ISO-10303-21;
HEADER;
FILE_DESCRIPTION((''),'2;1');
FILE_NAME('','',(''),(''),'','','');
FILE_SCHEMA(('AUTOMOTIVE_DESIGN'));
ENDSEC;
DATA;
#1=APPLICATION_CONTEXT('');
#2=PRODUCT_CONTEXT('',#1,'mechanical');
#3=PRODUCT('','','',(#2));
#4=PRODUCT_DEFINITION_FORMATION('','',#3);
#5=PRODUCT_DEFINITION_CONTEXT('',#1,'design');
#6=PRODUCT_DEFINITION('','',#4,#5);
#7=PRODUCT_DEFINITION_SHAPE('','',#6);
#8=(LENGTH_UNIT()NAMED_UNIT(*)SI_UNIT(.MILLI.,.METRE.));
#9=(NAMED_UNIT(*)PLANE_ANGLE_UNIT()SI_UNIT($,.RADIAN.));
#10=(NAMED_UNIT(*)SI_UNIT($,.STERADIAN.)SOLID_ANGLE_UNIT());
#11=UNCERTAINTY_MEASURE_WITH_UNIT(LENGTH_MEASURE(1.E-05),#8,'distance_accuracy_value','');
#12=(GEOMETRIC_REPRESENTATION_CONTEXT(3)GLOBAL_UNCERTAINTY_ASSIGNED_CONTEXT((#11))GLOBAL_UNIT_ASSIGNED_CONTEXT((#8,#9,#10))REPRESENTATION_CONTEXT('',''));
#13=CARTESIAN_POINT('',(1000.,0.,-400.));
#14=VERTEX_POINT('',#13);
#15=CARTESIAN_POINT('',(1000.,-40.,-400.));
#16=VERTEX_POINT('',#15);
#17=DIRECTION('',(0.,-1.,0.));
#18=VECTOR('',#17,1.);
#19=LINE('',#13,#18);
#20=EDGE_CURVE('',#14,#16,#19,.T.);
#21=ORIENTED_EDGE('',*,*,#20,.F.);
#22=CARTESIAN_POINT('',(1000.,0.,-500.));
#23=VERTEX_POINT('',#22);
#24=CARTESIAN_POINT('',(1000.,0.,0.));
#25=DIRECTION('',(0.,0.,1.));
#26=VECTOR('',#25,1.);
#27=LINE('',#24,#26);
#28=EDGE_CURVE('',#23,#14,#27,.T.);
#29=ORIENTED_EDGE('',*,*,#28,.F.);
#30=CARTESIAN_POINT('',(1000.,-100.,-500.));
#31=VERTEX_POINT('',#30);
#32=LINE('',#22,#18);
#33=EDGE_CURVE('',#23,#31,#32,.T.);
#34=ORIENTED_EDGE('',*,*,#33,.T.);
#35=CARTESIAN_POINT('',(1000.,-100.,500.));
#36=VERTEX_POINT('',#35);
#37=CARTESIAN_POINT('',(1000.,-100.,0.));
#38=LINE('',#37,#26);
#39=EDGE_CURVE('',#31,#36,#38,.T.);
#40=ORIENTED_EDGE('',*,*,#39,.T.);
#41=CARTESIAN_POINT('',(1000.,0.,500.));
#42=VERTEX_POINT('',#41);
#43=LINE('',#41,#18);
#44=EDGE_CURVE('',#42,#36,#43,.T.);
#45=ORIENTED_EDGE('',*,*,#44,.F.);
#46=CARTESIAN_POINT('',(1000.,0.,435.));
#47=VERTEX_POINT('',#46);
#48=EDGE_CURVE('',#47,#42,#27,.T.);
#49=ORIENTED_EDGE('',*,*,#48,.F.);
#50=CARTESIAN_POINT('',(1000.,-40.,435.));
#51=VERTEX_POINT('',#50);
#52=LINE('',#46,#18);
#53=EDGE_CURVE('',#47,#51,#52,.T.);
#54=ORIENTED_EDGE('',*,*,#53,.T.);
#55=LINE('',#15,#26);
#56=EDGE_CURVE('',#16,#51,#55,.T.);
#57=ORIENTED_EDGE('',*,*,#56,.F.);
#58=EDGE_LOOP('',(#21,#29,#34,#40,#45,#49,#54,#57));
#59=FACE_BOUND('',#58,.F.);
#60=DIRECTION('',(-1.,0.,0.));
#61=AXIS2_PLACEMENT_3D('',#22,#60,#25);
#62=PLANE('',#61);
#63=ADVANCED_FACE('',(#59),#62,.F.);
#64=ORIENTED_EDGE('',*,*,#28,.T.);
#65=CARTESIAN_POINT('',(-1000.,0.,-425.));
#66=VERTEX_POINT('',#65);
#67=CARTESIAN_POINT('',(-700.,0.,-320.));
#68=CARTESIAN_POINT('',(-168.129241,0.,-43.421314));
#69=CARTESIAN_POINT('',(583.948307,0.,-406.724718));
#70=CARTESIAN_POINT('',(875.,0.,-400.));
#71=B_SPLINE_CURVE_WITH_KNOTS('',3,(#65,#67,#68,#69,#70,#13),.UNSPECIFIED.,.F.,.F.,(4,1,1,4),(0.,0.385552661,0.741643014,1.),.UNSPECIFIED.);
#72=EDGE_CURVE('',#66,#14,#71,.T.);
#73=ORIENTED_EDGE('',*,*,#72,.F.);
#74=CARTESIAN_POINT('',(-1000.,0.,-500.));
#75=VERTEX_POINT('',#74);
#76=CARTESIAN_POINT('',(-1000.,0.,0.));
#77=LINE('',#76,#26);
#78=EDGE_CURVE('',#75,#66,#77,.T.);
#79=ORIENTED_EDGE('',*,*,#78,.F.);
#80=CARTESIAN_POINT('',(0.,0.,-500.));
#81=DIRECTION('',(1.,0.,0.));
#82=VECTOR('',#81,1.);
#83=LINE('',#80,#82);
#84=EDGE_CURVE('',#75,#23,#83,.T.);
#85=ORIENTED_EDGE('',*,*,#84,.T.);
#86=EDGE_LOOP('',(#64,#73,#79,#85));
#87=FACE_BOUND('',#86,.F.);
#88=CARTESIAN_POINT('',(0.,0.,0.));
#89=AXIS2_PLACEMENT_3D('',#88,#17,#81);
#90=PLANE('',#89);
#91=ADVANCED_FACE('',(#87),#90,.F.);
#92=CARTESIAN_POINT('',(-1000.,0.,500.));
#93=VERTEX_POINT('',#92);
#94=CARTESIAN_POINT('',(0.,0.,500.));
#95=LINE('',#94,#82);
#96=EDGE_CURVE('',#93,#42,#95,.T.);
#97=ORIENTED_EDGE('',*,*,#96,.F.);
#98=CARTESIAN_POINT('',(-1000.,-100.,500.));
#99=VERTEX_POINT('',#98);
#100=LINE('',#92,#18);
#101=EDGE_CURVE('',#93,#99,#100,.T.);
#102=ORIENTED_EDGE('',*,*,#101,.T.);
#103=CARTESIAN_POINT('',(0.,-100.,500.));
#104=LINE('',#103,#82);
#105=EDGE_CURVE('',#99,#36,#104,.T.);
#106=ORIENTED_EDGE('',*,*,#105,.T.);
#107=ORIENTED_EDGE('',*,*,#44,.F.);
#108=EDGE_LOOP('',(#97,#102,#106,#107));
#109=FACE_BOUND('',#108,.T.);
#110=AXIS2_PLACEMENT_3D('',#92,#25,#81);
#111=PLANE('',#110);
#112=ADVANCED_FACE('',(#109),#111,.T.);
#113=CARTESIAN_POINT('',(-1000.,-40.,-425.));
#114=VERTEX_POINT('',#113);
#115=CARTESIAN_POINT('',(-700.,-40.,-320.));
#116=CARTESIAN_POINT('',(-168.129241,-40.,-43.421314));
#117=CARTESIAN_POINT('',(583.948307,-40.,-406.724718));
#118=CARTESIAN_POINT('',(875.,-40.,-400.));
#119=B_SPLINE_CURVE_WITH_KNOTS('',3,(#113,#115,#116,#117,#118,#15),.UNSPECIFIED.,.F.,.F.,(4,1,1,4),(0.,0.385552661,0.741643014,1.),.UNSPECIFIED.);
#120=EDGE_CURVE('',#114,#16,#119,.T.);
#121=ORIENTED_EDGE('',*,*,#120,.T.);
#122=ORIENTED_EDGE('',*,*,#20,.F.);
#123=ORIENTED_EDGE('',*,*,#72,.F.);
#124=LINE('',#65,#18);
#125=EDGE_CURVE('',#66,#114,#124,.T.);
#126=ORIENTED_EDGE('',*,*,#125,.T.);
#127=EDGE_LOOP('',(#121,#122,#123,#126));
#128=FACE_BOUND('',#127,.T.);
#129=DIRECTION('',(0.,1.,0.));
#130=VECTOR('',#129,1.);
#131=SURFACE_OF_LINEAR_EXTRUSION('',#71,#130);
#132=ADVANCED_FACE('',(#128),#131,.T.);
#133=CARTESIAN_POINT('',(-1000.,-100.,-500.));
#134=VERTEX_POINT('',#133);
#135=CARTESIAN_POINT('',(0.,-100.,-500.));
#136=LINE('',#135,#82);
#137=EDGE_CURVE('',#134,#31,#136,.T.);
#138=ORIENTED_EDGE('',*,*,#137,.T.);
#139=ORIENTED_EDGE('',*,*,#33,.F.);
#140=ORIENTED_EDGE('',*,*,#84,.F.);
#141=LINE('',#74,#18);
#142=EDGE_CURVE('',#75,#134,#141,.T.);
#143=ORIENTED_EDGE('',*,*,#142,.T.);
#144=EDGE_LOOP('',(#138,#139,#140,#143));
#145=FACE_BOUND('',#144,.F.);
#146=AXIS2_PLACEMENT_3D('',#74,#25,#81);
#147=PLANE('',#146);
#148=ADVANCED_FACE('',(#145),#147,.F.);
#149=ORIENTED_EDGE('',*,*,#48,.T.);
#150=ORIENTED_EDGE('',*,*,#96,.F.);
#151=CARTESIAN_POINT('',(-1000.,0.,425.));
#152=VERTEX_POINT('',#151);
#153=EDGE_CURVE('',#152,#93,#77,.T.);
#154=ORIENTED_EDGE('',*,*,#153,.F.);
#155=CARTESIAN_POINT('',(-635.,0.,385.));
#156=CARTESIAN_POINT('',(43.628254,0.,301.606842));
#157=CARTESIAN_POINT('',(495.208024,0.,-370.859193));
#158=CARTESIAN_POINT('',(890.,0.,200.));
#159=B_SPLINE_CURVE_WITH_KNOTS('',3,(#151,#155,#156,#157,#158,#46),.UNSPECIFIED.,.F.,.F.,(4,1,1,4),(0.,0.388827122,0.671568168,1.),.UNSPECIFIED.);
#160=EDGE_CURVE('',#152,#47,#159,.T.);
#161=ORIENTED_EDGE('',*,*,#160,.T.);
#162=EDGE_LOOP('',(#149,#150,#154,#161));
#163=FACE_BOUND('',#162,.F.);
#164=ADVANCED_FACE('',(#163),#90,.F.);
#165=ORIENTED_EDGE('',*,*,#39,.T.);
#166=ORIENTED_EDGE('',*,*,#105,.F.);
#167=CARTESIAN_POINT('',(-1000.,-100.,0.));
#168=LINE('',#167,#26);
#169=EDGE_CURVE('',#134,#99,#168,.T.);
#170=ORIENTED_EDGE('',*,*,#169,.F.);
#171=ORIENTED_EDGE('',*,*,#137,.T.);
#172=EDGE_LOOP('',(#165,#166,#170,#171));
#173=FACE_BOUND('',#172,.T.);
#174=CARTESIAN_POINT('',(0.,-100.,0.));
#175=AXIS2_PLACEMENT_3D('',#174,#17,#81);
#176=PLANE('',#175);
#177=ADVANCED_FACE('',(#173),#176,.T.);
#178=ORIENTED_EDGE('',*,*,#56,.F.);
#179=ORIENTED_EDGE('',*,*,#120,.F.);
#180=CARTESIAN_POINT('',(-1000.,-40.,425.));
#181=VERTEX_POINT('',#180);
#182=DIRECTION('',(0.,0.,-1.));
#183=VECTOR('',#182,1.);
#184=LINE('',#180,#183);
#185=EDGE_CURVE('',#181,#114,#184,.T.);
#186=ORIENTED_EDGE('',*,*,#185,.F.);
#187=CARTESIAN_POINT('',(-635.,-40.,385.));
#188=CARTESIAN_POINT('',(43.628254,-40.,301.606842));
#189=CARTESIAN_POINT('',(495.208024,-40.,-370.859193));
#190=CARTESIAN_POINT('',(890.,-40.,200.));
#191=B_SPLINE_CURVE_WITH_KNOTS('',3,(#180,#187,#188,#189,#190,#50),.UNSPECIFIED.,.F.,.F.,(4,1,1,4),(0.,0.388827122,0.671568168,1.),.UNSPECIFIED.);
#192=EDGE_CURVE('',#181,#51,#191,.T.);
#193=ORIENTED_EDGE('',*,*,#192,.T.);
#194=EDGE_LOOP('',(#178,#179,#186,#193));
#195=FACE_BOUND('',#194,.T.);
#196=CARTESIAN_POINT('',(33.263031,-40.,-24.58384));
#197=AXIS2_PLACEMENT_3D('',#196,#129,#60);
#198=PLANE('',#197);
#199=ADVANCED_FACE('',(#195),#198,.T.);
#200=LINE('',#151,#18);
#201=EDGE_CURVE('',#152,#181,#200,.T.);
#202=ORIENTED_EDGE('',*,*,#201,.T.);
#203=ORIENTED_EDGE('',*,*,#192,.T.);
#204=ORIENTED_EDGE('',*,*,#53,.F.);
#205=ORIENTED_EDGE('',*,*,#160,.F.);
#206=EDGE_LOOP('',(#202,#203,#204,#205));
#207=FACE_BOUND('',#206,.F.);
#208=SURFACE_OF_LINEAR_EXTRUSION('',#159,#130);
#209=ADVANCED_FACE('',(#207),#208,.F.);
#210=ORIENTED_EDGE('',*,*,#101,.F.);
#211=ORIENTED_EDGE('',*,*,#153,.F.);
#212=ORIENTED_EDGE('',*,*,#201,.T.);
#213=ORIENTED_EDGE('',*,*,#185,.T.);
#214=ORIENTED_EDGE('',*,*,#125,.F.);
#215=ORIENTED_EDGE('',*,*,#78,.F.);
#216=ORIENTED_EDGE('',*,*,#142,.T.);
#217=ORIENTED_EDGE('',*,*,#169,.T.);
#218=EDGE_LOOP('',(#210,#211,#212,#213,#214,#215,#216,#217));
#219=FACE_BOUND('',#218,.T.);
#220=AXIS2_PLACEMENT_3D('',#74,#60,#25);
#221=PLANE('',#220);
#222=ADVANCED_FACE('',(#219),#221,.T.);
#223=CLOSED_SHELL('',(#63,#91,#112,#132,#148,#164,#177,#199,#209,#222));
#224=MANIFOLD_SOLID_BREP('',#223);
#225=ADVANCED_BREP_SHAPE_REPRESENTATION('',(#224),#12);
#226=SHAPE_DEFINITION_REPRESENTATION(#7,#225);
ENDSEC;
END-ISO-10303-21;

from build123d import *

# Parameters (mm, degrees)
F0_W     = 2000
F0_H     = 1000
F1_DEPTH = 100
F3_DEPTH = 40


with BuildPart() as f1:
    # F0 (on Front) → F1 (new body)
    with BuildSketch(Plane.XZ):
        Rectangle(F0_W, F0_H)
    extrude(amount=F1_DEPTH)

    # F2 (on face) → F3 (cut)
    with BuildSketch(Plane.XZ):
        with BuildLine():
            add(Edge.make_bspline(
                [(-1000, 425), (-635, 385), (43.6282540949, 301.6068419822), (495.2080240683, -370.8591927127), (890, 200), (1000, 435)],
                knots=[0, 0, 0, 0, 0.3888271221, 0.6715681678, 1, 1, 1, 1], degree=3))
            Line((-1000, 425), (-1000, -425))
            add(Edge.make_bspline(
                [(-1000, -425), (-700, -320), (-168.1292405703, -43.4213137635), (583.948307454, -406.7247177632), (875, -400), (1000, -400)],
                knots=[0, 0, 0, 0, 0.3855526607, 0.7416430137, 1, 1, 1, 1], degree=3))
            Line((1000, -400), (1000, 435))
        make_face()
    extrude(amount=F3_DEPTH, mode=Mode.SUBTRACT)


solid = f1.part
